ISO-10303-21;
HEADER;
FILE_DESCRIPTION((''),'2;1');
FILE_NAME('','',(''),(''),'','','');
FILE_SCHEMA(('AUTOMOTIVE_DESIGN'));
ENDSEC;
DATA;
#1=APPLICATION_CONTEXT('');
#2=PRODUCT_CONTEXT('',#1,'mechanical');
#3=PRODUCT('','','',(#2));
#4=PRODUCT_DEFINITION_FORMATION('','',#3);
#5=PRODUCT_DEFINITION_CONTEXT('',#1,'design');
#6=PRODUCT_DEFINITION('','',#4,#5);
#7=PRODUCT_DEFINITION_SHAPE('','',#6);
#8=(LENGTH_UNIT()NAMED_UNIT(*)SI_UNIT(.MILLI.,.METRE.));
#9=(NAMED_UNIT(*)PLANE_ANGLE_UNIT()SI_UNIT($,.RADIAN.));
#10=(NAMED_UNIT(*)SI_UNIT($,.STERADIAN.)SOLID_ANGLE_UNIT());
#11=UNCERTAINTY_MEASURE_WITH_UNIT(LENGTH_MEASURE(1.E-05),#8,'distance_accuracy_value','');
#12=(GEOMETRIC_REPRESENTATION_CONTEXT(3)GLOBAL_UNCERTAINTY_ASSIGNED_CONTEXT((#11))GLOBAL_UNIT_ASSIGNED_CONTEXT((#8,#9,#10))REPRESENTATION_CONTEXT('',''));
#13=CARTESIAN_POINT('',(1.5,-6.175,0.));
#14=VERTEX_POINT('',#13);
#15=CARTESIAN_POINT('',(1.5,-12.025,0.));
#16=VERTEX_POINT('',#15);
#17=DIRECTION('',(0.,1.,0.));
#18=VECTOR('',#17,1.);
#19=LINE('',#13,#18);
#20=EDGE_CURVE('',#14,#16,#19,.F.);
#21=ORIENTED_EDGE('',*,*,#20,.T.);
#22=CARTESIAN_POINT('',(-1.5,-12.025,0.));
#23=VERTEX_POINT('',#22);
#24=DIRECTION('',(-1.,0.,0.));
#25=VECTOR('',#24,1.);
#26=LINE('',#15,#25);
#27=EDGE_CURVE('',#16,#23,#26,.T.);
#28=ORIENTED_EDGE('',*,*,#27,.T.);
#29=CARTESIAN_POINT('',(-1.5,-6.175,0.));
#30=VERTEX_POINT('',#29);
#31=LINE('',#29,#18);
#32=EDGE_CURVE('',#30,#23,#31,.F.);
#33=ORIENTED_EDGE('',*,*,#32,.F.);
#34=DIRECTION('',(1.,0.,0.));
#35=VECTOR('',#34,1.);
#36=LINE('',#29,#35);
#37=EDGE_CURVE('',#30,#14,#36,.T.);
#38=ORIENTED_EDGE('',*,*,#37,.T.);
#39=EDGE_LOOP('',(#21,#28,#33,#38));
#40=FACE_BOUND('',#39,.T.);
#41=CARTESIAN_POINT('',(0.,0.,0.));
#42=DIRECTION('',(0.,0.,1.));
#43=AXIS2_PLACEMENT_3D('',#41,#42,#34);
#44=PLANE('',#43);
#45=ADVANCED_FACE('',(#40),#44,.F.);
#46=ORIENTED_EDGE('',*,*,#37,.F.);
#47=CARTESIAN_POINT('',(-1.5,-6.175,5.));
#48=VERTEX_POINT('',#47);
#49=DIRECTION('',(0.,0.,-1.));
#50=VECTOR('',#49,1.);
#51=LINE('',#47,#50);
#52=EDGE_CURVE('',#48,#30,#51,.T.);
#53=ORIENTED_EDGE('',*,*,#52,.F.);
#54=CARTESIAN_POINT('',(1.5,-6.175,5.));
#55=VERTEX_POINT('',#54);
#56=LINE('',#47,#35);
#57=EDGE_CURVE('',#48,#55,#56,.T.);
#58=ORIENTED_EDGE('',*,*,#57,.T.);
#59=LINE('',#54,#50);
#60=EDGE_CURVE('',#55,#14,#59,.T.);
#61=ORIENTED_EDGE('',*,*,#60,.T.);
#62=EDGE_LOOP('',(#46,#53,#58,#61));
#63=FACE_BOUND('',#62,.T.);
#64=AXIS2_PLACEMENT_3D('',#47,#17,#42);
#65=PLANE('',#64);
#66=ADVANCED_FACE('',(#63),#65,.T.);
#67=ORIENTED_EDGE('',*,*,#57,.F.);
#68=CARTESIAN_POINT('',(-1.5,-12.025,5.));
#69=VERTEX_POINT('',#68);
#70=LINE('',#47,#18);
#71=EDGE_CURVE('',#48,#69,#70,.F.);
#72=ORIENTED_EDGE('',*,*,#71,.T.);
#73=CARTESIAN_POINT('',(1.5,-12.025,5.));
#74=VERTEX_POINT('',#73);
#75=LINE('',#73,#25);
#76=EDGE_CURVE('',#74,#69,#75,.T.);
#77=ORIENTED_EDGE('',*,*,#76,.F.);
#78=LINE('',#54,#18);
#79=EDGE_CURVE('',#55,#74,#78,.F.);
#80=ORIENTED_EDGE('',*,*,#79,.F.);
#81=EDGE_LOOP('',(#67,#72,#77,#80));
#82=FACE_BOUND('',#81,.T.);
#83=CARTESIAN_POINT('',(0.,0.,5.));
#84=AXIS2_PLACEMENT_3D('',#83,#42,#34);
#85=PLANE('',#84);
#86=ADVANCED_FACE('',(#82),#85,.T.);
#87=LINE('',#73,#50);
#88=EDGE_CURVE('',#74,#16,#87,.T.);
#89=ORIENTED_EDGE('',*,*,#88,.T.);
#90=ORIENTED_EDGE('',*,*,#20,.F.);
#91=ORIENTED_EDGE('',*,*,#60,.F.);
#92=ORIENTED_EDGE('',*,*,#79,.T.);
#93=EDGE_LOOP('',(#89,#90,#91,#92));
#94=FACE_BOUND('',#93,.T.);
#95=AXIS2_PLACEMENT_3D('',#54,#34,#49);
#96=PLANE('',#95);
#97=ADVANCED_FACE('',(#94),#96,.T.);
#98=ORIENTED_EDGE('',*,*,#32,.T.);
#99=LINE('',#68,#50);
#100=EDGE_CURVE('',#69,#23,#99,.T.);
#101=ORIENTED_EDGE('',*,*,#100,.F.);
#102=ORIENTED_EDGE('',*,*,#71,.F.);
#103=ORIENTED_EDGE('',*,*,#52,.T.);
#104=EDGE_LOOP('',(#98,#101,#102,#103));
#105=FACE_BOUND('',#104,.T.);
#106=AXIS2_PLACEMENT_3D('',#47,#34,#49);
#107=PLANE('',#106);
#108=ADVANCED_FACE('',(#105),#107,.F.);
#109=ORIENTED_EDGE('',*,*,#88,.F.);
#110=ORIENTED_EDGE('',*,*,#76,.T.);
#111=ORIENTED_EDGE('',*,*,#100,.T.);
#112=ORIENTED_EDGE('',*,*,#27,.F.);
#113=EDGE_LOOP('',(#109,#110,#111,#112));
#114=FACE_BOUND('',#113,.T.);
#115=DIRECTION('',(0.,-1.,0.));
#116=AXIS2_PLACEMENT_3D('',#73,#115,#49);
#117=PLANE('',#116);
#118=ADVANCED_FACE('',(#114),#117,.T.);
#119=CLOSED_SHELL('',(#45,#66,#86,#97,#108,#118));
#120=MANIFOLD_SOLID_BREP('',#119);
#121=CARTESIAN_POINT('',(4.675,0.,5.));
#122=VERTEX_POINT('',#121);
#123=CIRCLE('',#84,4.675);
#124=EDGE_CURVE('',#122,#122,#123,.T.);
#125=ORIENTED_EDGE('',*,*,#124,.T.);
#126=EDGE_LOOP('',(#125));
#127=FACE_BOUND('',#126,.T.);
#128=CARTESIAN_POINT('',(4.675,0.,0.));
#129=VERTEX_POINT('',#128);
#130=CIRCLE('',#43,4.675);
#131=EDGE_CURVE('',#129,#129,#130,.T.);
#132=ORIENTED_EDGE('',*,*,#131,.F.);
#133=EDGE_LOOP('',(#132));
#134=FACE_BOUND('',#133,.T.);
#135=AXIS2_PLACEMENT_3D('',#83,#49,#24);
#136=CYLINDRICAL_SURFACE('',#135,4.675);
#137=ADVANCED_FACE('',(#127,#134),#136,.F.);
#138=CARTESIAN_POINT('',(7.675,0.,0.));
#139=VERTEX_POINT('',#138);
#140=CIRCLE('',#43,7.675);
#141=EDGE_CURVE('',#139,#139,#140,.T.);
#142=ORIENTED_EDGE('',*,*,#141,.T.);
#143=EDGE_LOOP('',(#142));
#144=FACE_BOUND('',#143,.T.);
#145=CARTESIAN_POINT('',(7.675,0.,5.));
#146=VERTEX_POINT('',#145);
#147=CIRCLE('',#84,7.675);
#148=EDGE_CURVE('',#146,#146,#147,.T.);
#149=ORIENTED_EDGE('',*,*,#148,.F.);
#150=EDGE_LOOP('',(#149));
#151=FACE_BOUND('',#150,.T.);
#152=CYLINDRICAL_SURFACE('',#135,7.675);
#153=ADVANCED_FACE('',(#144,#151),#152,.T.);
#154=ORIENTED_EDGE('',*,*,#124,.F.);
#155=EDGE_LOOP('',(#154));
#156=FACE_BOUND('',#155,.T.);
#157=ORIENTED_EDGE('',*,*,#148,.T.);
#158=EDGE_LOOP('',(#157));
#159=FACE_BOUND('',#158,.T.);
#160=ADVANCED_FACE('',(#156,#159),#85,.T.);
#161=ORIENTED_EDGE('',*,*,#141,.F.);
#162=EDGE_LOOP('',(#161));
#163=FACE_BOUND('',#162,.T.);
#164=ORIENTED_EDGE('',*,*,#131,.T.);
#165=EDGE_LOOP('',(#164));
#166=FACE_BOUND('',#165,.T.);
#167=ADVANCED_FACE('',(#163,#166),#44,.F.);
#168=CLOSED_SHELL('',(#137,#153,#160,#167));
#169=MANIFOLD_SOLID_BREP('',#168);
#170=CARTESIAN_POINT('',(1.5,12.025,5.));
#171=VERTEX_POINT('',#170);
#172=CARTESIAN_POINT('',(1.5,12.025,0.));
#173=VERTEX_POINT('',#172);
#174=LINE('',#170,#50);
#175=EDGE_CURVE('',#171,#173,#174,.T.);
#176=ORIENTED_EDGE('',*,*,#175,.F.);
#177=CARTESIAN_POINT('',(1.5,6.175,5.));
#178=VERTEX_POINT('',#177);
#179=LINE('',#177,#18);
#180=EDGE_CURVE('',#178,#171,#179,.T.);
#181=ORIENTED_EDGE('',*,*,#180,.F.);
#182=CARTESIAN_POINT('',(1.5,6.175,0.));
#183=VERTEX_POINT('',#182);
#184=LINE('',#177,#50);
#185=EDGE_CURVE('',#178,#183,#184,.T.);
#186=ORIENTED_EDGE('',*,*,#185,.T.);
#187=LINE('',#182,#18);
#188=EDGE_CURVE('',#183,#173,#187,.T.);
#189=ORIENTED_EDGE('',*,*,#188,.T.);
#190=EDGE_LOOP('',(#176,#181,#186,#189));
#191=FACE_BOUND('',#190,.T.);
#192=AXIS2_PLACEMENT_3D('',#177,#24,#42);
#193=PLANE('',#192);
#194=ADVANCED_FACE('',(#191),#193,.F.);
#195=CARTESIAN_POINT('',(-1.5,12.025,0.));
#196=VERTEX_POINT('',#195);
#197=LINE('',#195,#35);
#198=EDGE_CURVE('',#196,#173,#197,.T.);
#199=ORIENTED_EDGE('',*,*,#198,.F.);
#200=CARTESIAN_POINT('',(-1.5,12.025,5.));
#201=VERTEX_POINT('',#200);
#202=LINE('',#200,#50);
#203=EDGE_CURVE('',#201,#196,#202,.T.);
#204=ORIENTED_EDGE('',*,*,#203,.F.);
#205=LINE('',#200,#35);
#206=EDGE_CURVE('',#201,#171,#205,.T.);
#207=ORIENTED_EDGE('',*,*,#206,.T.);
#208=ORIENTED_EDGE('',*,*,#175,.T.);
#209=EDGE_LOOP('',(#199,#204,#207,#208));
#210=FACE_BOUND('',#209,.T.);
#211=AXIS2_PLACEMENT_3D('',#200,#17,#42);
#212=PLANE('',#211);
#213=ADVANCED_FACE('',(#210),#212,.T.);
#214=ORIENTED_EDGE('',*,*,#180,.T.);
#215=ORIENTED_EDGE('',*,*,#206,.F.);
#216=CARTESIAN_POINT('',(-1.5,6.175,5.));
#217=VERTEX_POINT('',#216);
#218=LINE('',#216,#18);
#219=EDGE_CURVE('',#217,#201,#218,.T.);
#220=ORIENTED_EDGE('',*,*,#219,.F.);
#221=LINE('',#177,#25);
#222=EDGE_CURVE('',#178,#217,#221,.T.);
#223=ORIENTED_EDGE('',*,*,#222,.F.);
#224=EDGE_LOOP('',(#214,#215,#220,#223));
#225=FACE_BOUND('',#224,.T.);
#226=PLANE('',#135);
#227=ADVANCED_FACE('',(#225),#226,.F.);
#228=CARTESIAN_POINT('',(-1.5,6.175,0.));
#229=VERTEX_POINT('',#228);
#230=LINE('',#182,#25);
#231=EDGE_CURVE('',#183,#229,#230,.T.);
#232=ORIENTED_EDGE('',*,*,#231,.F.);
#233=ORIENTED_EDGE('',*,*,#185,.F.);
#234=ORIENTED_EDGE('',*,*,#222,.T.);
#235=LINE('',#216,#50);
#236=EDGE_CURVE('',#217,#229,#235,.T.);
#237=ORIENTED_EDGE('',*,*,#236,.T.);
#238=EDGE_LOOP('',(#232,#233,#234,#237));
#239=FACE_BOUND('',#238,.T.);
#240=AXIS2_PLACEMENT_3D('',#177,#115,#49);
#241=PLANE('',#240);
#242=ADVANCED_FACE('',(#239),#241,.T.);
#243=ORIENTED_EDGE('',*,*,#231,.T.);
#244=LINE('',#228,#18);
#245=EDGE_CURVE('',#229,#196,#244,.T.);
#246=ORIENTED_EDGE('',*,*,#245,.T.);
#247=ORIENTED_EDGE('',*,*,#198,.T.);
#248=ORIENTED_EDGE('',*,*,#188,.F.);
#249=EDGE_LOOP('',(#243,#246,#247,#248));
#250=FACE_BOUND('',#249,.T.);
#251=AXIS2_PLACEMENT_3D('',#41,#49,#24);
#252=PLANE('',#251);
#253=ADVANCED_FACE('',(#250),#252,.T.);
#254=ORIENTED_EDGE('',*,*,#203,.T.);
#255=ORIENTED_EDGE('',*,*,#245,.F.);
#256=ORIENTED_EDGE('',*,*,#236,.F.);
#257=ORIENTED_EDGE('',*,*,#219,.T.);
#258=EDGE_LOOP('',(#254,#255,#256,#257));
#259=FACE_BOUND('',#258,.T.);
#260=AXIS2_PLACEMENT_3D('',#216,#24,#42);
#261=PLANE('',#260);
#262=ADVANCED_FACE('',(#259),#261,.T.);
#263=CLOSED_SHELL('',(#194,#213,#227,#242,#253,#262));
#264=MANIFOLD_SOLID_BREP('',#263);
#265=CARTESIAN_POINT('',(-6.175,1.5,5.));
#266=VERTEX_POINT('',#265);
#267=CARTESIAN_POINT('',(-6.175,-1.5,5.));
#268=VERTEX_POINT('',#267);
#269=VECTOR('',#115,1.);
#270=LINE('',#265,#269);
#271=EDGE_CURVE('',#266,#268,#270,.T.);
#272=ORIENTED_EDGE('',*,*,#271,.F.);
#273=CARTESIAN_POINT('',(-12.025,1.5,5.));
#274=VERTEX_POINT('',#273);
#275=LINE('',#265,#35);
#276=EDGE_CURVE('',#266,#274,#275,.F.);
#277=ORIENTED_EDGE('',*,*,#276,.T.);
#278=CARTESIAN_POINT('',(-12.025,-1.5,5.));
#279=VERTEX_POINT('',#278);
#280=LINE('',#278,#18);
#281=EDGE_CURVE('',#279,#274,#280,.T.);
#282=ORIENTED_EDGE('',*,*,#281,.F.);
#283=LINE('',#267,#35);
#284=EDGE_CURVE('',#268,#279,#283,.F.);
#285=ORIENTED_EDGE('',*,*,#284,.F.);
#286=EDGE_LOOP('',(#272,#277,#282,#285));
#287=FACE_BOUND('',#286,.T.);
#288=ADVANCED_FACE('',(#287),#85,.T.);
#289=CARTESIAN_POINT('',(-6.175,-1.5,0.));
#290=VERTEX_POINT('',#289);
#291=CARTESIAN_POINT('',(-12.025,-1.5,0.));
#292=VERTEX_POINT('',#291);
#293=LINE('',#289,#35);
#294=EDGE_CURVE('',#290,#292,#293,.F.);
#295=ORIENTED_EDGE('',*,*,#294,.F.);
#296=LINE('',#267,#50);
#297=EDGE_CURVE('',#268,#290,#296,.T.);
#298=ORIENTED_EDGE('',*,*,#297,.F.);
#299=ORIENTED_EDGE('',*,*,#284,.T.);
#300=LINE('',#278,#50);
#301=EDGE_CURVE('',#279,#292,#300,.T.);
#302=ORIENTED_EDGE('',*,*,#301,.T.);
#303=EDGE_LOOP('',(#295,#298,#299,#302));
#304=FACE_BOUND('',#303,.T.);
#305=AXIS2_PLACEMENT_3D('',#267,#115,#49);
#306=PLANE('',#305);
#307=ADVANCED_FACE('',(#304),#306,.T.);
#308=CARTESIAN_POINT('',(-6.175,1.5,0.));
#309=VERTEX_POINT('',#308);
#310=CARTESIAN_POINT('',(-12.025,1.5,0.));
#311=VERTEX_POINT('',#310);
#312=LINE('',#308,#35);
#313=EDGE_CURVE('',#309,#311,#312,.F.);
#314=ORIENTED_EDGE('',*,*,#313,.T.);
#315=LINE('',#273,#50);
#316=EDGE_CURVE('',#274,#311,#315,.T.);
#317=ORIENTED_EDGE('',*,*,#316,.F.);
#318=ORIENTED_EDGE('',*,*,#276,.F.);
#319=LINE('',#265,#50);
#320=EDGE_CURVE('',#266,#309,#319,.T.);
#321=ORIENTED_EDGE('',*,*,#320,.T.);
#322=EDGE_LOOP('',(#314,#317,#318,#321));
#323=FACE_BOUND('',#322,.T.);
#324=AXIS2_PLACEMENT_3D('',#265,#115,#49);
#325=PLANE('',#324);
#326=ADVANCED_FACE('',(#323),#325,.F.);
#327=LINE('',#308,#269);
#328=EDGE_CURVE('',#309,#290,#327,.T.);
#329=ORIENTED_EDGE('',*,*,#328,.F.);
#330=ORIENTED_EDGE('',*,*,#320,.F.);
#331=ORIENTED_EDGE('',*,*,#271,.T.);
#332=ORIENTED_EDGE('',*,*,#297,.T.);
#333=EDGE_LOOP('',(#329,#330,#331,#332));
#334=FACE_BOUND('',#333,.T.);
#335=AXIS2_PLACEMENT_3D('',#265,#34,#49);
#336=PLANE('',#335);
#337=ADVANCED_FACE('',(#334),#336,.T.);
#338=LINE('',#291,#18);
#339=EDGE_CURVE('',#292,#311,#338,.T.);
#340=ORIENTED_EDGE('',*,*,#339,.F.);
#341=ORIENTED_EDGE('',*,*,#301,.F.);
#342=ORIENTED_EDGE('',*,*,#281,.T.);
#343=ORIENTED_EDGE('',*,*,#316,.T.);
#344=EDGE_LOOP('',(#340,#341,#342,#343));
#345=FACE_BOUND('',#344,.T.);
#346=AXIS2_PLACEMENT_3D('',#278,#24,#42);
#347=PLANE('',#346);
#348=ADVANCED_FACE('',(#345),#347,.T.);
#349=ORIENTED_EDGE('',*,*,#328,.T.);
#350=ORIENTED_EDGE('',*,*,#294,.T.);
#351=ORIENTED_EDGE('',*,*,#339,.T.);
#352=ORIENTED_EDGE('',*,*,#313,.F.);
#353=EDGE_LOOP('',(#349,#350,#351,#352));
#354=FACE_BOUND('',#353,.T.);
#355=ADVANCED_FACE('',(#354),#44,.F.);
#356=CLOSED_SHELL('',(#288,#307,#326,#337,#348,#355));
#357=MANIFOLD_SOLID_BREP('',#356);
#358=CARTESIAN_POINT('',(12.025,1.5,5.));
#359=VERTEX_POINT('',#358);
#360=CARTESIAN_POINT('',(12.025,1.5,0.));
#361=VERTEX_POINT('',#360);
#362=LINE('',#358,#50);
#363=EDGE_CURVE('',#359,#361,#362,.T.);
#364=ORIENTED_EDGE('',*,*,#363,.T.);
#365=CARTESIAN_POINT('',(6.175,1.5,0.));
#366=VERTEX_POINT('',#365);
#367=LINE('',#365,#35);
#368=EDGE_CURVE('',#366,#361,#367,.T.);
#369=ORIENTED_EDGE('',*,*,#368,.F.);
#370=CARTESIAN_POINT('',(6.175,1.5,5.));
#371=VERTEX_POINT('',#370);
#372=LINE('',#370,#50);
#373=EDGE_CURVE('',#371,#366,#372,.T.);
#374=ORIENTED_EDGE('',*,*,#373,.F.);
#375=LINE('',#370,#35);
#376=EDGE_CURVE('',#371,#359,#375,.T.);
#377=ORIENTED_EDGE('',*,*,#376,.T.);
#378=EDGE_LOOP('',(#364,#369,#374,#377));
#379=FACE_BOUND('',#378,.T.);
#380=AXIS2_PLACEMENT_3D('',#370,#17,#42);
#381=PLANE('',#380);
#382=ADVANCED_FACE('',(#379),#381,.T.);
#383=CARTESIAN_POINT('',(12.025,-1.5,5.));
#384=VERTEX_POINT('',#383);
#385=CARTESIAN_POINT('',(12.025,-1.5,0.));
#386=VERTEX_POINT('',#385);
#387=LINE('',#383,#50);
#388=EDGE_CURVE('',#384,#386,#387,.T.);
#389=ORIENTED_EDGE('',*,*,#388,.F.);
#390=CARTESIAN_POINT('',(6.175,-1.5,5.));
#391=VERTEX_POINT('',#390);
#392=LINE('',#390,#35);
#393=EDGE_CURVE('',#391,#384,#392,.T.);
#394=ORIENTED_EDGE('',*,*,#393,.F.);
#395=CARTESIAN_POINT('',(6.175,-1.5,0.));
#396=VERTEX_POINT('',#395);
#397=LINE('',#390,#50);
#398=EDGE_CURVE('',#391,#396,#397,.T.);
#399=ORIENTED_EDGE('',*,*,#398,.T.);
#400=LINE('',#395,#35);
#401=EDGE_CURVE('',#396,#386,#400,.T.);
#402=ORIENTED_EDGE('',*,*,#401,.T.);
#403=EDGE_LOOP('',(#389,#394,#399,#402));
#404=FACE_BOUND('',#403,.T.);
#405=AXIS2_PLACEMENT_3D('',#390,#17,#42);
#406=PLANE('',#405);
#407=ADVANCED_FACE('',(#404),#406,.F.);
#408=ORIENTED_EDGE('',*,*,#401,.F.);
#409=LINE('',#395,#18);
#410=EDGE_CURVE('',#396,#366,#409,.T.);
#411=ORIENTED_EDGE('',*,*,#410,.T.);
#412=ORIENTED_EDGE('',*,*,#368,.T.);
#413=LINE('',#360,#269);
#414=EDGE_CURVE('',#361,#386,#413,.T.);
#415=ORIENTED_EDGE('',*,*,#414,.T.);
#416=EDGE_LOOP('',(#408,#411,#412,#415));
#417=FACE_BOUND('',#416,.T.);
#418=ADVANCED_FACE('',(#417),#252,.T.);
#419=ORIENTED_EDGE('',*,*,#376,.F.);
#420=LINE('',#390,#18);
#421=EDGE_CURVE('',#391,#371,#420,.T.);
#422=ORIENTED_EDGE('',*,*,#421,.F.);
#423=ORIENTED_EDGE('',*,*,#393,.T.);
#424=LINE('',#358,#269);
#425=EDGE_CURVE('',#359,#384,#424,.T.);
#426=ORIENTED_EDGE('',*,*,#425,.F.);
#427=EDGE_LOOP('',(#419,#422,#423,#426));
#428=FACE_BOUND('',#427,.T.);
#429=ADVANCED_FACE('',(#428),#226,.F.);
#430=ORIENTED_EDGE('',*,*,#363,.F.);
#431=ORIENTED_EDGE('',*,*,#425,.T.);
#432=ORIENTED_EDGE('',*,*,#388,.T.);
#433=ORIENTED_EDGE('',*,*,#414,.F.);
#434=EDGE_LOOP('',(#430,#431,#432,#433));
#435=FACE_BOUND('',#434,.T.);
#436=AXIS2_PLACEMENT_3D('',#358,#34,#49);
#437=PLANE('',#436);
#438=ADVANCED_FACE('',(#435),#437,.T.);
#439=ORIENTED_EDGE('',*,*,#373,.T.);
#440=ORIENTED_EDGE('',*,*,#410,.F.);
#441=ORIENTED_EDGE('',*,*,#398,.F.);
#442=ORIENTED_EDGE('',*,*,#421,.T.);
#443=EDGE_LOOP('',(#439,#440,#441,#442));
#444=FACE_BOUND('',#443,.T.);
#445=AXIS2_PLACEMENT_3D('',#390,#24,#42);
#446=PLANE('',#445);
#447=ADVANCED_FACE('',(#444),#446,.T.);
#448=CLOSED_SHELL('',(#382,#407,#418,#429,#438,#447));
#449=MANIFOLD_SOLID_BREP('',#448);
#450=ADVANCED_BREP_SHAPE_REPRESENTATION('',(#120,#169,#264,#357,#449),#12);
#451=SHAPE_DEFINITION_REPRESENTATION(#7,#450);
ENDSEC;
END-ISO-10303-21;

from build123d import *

# Parameters (mm, degrees)
SKETCH1_R             = 7.675
SKETCH1_R_2           = 4.675
EXTRUDE_THIN1_DEPTH   = 5
SKETCH1_W             = 3
SKETCH1_H             = 5.85
EXTRUDE_THIN1_2_DEPTH = 5
EXTRUDE_THIN1_3_DEPTH = 5
SKETCH1_W_2           = 5.85
SKETCH1_H_2           = 3
EXTRUDE_THIN1_4_DEPTH = 5
EXTRUDE_THIN1_5_DEPTH = 5


with BuildPart() as part:
    # Sketch1 → Extrude-Thin1 (new body)
    with BuildSketch(Plane.XY):
        Circle(SKETCH1_R)
        Circle(SKETCH1_R_2, mode=Mode.SUBTRACT)
    extrude(amount=EXTRUDE_THIN1_DEPTH)


with BuildPart() as body_2:
    # Sketch1 → Extrude-Thin1 2 (new body)
    with BuildSketch(Plane.XY):
        with Locations((0, 9.1)):
            Rectangle(SKETCH1_W, SKETCH1_H)
    extrude(amount=EXTRUDE_THIN1_2_DEPTH)


with BuildPart() as body_3:
    # Sketch1 → Extrude-Thin1 3 (new body)
    with BuildSketch(Plane.XY):
        with Locations((0, -9.1)):
            Rectangle(SKETCH1_W, SKETCH1_H)
    extrude(amount=EXTRUDE_THIN1_3_DEPTH)


with BuildPart() as body_4:
    # Sketch1 → Extrude-Thin1 4 (new body)
    with BuildSketch(Plane.XY):
        with Locations((9.1, 0)):
            Rectangle(SKETCH1_W_2, SKETCH1_H_2)
    extrude(amount=EXTRUDE_THIN1_4_DEPTH)


with BuildPart() as body_5:
    # Sketch1 → Extrude-Thin1 5 (new body)
    with BuildSketch(Plane.XY):
        with Locations((-9.1, 0)):
            Rectangle(SKETCH1_W_2, SKETCH1_H_2)
    extrude(amount=EXTRUDE_THIN1_5_DEPTH)


solid = Compound([part.part, body_2.part, body_3.part, body_4.part, body_5.part])
